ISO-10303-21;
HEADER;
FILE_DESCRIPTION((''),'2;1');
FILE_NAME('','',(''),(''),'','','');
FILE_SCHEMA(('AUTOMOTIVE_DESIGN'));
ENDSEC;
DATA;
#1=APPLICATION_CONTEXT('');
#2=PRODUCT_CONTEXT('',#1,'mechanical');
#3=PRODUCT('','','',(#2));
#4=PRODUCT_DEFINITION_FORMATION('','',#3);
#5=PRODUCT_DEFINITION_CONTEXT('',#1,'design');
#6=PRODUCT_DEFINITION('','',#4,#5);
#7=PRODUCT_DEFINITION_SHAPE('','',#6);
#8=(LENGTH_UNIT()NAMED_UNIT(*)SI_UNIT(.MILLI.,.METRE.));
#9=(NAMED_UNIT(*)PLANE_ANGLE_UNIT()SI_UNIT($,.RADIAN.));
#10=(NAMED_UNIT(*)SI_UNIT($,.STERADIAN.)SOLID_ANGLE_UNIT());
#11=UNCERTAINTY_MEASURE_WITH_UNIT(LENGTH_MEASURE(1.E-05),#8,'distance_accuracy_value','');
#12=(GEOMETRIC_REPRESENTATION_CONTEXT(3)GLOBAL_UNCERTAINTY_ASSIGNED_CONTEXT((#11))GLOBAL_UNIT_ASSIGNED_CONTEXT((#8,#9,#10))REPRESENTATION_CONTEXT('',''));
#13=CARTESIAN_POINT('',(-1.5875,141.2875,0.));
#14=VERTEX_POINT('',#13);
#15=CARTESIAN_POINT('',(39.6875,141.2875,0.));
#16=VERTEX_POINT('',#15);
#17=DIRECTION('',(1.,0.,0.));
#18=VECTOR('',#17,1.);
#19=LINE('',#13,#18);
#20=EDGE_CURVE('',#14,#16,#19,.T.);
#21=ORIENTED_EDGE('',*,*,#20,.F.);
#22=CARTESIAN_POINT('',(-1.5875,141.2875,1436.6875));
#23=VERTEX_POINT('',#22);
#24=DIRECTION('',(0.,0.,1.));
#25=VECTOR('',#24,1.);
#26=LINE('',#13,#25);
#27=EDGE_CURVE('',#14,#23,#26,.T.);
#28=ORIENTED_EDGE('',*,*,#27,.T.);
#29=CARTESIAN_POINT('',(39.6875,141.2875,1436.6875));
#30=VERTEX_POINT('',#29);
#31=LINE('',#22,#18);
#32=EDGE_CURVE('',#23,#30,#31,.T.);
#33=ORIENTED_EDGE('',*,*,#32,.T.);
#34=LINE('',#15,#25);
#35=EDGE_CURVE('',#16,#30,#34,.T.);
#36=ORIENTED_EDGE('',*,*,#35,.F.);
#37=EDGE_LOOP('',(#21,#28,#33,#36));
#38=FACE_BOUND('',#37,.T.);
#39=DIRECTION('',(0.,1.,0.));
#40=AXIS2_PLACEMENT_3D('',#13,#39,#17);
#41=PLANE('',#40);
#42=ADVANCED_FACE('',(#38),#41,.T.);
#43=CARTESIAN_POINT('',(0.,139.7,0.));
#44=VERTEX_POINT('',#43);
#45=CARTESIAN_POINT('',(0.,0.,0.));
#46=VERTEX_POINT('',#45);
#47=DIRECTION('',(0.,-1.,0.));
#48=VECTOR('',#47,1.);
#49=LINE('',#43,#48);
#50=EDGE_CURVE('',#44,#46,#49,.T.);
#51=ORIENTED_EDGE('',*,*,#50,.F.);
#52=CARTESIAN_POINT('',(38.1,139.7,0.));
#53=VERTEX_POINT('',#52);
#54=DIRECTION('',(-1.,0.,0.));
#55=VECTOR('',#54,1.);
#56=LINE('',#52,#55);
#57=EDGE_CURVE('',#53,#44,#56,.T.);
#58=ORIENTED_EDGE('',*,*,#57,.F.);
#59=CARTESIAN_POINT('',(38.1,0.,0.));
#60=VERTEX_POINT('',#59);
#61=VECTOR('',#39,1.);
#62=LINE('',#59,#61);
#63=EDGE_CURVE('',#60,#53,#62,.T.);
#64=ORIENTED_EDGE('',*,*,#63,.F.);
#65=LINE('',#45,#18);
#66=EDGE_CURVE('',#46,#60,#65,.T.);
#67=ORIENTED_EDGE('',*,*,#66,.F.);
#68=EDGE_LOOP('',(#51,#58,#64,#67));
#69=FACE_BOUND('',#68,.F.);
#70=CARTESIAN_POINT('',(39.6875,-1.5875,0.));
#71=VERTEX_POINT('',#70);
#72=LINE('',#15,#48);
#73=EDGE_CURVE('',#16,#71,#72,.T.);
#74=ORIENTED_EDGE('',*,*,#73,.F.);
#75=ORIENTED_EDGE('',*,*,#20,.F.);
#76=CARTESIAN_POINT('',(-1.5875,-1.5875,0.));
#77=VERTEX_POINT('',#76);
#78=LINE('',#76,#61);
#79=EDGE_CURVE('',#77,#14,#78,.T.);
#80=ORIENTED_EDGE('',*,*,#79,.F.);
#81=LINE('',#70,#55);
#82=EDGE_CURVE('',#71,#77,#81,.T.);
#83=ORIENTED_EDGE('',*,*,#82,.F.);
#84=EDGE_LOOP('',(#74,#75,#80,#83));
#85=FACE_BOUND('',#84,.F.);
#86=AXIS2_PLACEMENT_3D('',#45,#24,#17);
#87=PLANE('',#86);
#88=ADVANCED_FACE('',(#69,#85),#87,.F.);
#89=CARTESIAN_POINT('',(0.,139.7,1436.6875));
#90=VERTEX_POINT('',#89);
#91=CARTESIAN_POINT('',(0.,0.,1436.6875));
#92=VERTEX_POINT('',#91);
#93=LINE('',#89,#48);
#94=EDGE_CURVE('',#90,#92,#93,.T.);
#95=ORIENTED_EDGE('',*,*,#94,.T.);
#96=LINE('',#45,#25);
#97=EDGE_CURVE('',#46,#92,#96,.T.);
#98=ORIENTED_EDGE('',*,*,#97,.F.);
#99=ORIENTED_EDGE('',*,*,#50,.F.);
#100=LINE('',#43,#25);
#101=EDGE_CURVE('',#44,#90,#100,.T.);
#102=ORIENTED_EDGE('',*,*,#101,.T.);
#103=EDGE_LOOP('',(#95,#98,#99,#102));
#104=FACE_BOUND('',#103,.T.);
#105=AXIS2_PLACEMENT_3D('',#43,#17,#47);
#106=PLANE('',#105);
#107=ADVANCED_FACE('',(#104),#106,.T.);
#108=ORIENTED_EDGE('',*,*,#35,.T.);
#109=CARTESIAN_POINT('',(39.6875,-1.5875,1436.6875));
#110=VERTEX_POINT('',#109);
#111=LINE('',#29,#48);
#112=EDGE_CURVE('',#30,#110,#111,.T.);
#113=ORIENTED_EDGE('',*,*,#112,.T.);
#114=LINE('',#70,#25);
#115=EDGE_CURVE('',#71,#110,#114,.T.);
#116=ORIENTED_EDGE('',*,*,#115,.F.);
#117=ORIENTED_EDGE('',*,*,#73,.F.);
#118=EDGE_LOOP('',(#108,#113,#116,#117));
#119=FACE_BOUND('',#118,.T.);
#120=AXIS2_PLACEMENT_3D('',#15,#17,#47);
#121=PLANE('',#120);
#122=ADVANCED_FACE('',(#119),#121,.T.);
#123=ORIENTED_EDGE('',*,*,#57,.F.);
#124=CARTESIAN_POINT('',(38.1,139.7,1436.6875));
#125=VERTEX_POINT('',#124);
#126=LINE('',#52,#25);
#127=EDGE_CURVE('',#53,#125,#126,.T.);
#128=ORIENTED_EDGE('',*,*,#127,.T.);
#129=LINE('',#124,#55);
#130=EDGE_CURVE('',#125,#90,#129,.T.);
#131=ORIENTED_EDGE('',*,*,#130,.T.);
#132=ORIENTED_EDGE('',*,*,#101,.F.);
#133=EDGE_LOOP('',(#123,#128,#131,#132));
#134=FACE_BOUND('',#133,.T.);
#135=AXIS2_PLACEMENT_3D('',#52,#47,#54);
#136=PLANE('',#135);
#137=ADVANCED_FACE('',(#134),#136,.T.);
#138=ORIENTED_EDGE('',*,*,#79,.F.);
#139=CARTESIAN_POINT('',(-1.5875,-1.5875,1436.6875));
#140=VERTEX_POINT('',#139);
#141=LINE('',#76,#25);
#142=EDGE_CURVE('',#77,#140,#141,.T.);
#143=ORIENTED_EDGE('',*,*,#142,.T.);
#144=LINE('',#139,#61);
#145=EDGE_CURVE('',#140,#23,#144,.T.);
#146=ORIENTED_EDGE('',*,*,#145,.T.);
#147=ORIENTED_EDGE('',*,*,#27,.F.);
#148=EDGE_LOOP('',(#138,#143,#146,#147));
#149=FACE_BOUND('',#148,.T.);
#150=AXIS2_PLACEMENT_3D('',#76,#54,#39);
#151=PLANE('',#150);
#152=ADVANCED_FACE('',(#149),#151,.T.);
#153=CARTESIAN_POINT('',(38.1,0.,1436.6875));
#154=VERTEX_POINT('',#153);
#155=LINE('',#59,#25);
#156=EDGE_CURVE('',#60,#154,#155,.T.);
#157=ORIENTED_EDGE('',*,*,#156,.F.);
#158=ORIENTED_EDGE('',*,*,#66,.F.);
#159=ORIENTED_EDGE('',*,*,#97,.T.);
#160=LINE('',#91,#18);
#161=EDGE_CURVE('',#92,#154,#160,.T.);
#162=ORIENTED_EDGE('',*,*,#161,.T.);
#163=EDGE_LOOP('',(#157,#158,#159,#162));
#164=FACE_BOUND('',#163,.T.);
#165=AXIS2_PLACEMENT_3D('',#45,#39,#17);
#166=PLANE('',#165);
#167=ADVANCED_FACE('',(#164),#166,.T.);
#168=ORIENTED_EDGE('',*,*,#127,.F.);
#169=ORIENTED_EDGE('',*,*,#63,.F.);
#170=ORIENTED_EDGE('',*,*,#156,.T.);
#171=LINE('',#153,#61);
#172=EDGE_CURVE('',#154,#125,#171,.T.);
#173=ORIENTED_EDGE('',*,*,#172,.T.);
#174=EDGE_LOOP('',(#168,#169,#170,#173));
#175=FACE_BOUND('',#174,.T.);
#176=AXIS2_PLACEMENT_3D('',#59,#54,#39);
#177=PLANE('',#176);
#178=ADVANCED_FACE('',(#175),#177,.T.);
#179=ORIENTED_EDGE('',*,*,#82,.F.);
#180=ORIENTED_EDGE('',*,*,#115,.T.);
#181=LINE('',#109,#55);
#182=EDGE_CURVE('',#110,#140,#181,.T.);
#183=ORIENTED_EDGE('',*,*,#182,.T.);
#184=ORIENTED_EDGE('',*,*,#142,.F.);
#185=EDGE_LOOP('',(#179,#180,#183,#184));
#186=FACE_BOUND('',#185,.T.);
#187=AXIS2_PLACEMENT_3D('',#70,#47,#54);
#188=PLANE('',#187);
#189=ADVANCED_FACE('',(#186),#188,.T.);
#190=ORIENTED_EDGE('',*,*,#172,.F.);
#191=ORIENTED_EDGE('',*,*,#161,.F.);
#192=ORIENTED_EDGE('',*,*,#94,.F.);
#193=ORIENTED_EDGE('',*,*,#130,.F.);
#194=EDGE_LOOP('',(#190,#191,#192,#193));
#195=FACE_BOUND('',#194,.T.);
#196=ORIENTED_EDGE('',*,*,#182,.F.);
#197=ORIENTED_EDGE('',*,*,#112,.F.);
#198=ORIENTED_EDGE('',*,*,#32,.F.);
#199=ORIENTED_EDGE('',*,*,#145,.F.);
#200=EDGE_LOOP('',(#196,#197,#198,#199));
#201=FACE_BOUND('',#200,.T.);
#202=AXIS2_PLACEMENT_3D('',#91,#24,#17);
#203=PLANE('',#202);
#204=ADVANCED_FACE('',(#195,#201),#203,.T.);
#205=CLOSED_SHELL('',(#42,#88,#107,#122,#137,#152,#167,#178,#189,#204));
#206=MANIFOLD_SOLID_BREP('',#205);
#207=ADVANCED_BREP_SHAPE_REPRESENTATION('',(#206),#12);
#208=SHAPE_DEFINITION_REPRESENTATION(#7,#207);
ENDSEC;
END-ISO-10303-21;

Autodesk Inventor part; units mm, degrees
ref_plane "YZ Plane" through (0, 0, 0) normal (1, 0, 0) x (0, 1, 0)
ref_plane "XZ Plane" through (0, 0, 0) normal (0, 1, 0) x (-1, 0, 0)
ref_plane "XY Plane" through (0, 0, 0) normal (0, 0, 1) x (1, 0, 0)
sketch "Sketch1" plane through (0, 0, 0) normal (0, 0, 1) x (1, 0, 0)
  line L0 (0, 0) -> (38.1, 0)
  line L1 (38.1, 0) -> (38.1, 139.7)
  line L2 (38.1, 139.7) -> (0, 139.7)
  line L3 (0, 139.7) -> (0, 0)
  line L4 (-1.5875, 141.2875) -> (39.6875, 141.2875)
  line L5 (39.6875, 141.2875) -> (39.6875, -1.5875)
  line L6 (39.6875, -1.5875) -> (-1.5875, -1.5875)
  line L7 (-1.5875, -1.5875) -> (-1.5875, 141.2875)
  dimension "d1" = 139.7
  dimension "d2" = 38.1
  dimension "d3" = 1.5875
extrude "Extrusion1" add sketch "Sketch1" along normal blind 1436.6875
properties part number "Tube_Of_Underlayment_For_Joist" material "Rubber"
